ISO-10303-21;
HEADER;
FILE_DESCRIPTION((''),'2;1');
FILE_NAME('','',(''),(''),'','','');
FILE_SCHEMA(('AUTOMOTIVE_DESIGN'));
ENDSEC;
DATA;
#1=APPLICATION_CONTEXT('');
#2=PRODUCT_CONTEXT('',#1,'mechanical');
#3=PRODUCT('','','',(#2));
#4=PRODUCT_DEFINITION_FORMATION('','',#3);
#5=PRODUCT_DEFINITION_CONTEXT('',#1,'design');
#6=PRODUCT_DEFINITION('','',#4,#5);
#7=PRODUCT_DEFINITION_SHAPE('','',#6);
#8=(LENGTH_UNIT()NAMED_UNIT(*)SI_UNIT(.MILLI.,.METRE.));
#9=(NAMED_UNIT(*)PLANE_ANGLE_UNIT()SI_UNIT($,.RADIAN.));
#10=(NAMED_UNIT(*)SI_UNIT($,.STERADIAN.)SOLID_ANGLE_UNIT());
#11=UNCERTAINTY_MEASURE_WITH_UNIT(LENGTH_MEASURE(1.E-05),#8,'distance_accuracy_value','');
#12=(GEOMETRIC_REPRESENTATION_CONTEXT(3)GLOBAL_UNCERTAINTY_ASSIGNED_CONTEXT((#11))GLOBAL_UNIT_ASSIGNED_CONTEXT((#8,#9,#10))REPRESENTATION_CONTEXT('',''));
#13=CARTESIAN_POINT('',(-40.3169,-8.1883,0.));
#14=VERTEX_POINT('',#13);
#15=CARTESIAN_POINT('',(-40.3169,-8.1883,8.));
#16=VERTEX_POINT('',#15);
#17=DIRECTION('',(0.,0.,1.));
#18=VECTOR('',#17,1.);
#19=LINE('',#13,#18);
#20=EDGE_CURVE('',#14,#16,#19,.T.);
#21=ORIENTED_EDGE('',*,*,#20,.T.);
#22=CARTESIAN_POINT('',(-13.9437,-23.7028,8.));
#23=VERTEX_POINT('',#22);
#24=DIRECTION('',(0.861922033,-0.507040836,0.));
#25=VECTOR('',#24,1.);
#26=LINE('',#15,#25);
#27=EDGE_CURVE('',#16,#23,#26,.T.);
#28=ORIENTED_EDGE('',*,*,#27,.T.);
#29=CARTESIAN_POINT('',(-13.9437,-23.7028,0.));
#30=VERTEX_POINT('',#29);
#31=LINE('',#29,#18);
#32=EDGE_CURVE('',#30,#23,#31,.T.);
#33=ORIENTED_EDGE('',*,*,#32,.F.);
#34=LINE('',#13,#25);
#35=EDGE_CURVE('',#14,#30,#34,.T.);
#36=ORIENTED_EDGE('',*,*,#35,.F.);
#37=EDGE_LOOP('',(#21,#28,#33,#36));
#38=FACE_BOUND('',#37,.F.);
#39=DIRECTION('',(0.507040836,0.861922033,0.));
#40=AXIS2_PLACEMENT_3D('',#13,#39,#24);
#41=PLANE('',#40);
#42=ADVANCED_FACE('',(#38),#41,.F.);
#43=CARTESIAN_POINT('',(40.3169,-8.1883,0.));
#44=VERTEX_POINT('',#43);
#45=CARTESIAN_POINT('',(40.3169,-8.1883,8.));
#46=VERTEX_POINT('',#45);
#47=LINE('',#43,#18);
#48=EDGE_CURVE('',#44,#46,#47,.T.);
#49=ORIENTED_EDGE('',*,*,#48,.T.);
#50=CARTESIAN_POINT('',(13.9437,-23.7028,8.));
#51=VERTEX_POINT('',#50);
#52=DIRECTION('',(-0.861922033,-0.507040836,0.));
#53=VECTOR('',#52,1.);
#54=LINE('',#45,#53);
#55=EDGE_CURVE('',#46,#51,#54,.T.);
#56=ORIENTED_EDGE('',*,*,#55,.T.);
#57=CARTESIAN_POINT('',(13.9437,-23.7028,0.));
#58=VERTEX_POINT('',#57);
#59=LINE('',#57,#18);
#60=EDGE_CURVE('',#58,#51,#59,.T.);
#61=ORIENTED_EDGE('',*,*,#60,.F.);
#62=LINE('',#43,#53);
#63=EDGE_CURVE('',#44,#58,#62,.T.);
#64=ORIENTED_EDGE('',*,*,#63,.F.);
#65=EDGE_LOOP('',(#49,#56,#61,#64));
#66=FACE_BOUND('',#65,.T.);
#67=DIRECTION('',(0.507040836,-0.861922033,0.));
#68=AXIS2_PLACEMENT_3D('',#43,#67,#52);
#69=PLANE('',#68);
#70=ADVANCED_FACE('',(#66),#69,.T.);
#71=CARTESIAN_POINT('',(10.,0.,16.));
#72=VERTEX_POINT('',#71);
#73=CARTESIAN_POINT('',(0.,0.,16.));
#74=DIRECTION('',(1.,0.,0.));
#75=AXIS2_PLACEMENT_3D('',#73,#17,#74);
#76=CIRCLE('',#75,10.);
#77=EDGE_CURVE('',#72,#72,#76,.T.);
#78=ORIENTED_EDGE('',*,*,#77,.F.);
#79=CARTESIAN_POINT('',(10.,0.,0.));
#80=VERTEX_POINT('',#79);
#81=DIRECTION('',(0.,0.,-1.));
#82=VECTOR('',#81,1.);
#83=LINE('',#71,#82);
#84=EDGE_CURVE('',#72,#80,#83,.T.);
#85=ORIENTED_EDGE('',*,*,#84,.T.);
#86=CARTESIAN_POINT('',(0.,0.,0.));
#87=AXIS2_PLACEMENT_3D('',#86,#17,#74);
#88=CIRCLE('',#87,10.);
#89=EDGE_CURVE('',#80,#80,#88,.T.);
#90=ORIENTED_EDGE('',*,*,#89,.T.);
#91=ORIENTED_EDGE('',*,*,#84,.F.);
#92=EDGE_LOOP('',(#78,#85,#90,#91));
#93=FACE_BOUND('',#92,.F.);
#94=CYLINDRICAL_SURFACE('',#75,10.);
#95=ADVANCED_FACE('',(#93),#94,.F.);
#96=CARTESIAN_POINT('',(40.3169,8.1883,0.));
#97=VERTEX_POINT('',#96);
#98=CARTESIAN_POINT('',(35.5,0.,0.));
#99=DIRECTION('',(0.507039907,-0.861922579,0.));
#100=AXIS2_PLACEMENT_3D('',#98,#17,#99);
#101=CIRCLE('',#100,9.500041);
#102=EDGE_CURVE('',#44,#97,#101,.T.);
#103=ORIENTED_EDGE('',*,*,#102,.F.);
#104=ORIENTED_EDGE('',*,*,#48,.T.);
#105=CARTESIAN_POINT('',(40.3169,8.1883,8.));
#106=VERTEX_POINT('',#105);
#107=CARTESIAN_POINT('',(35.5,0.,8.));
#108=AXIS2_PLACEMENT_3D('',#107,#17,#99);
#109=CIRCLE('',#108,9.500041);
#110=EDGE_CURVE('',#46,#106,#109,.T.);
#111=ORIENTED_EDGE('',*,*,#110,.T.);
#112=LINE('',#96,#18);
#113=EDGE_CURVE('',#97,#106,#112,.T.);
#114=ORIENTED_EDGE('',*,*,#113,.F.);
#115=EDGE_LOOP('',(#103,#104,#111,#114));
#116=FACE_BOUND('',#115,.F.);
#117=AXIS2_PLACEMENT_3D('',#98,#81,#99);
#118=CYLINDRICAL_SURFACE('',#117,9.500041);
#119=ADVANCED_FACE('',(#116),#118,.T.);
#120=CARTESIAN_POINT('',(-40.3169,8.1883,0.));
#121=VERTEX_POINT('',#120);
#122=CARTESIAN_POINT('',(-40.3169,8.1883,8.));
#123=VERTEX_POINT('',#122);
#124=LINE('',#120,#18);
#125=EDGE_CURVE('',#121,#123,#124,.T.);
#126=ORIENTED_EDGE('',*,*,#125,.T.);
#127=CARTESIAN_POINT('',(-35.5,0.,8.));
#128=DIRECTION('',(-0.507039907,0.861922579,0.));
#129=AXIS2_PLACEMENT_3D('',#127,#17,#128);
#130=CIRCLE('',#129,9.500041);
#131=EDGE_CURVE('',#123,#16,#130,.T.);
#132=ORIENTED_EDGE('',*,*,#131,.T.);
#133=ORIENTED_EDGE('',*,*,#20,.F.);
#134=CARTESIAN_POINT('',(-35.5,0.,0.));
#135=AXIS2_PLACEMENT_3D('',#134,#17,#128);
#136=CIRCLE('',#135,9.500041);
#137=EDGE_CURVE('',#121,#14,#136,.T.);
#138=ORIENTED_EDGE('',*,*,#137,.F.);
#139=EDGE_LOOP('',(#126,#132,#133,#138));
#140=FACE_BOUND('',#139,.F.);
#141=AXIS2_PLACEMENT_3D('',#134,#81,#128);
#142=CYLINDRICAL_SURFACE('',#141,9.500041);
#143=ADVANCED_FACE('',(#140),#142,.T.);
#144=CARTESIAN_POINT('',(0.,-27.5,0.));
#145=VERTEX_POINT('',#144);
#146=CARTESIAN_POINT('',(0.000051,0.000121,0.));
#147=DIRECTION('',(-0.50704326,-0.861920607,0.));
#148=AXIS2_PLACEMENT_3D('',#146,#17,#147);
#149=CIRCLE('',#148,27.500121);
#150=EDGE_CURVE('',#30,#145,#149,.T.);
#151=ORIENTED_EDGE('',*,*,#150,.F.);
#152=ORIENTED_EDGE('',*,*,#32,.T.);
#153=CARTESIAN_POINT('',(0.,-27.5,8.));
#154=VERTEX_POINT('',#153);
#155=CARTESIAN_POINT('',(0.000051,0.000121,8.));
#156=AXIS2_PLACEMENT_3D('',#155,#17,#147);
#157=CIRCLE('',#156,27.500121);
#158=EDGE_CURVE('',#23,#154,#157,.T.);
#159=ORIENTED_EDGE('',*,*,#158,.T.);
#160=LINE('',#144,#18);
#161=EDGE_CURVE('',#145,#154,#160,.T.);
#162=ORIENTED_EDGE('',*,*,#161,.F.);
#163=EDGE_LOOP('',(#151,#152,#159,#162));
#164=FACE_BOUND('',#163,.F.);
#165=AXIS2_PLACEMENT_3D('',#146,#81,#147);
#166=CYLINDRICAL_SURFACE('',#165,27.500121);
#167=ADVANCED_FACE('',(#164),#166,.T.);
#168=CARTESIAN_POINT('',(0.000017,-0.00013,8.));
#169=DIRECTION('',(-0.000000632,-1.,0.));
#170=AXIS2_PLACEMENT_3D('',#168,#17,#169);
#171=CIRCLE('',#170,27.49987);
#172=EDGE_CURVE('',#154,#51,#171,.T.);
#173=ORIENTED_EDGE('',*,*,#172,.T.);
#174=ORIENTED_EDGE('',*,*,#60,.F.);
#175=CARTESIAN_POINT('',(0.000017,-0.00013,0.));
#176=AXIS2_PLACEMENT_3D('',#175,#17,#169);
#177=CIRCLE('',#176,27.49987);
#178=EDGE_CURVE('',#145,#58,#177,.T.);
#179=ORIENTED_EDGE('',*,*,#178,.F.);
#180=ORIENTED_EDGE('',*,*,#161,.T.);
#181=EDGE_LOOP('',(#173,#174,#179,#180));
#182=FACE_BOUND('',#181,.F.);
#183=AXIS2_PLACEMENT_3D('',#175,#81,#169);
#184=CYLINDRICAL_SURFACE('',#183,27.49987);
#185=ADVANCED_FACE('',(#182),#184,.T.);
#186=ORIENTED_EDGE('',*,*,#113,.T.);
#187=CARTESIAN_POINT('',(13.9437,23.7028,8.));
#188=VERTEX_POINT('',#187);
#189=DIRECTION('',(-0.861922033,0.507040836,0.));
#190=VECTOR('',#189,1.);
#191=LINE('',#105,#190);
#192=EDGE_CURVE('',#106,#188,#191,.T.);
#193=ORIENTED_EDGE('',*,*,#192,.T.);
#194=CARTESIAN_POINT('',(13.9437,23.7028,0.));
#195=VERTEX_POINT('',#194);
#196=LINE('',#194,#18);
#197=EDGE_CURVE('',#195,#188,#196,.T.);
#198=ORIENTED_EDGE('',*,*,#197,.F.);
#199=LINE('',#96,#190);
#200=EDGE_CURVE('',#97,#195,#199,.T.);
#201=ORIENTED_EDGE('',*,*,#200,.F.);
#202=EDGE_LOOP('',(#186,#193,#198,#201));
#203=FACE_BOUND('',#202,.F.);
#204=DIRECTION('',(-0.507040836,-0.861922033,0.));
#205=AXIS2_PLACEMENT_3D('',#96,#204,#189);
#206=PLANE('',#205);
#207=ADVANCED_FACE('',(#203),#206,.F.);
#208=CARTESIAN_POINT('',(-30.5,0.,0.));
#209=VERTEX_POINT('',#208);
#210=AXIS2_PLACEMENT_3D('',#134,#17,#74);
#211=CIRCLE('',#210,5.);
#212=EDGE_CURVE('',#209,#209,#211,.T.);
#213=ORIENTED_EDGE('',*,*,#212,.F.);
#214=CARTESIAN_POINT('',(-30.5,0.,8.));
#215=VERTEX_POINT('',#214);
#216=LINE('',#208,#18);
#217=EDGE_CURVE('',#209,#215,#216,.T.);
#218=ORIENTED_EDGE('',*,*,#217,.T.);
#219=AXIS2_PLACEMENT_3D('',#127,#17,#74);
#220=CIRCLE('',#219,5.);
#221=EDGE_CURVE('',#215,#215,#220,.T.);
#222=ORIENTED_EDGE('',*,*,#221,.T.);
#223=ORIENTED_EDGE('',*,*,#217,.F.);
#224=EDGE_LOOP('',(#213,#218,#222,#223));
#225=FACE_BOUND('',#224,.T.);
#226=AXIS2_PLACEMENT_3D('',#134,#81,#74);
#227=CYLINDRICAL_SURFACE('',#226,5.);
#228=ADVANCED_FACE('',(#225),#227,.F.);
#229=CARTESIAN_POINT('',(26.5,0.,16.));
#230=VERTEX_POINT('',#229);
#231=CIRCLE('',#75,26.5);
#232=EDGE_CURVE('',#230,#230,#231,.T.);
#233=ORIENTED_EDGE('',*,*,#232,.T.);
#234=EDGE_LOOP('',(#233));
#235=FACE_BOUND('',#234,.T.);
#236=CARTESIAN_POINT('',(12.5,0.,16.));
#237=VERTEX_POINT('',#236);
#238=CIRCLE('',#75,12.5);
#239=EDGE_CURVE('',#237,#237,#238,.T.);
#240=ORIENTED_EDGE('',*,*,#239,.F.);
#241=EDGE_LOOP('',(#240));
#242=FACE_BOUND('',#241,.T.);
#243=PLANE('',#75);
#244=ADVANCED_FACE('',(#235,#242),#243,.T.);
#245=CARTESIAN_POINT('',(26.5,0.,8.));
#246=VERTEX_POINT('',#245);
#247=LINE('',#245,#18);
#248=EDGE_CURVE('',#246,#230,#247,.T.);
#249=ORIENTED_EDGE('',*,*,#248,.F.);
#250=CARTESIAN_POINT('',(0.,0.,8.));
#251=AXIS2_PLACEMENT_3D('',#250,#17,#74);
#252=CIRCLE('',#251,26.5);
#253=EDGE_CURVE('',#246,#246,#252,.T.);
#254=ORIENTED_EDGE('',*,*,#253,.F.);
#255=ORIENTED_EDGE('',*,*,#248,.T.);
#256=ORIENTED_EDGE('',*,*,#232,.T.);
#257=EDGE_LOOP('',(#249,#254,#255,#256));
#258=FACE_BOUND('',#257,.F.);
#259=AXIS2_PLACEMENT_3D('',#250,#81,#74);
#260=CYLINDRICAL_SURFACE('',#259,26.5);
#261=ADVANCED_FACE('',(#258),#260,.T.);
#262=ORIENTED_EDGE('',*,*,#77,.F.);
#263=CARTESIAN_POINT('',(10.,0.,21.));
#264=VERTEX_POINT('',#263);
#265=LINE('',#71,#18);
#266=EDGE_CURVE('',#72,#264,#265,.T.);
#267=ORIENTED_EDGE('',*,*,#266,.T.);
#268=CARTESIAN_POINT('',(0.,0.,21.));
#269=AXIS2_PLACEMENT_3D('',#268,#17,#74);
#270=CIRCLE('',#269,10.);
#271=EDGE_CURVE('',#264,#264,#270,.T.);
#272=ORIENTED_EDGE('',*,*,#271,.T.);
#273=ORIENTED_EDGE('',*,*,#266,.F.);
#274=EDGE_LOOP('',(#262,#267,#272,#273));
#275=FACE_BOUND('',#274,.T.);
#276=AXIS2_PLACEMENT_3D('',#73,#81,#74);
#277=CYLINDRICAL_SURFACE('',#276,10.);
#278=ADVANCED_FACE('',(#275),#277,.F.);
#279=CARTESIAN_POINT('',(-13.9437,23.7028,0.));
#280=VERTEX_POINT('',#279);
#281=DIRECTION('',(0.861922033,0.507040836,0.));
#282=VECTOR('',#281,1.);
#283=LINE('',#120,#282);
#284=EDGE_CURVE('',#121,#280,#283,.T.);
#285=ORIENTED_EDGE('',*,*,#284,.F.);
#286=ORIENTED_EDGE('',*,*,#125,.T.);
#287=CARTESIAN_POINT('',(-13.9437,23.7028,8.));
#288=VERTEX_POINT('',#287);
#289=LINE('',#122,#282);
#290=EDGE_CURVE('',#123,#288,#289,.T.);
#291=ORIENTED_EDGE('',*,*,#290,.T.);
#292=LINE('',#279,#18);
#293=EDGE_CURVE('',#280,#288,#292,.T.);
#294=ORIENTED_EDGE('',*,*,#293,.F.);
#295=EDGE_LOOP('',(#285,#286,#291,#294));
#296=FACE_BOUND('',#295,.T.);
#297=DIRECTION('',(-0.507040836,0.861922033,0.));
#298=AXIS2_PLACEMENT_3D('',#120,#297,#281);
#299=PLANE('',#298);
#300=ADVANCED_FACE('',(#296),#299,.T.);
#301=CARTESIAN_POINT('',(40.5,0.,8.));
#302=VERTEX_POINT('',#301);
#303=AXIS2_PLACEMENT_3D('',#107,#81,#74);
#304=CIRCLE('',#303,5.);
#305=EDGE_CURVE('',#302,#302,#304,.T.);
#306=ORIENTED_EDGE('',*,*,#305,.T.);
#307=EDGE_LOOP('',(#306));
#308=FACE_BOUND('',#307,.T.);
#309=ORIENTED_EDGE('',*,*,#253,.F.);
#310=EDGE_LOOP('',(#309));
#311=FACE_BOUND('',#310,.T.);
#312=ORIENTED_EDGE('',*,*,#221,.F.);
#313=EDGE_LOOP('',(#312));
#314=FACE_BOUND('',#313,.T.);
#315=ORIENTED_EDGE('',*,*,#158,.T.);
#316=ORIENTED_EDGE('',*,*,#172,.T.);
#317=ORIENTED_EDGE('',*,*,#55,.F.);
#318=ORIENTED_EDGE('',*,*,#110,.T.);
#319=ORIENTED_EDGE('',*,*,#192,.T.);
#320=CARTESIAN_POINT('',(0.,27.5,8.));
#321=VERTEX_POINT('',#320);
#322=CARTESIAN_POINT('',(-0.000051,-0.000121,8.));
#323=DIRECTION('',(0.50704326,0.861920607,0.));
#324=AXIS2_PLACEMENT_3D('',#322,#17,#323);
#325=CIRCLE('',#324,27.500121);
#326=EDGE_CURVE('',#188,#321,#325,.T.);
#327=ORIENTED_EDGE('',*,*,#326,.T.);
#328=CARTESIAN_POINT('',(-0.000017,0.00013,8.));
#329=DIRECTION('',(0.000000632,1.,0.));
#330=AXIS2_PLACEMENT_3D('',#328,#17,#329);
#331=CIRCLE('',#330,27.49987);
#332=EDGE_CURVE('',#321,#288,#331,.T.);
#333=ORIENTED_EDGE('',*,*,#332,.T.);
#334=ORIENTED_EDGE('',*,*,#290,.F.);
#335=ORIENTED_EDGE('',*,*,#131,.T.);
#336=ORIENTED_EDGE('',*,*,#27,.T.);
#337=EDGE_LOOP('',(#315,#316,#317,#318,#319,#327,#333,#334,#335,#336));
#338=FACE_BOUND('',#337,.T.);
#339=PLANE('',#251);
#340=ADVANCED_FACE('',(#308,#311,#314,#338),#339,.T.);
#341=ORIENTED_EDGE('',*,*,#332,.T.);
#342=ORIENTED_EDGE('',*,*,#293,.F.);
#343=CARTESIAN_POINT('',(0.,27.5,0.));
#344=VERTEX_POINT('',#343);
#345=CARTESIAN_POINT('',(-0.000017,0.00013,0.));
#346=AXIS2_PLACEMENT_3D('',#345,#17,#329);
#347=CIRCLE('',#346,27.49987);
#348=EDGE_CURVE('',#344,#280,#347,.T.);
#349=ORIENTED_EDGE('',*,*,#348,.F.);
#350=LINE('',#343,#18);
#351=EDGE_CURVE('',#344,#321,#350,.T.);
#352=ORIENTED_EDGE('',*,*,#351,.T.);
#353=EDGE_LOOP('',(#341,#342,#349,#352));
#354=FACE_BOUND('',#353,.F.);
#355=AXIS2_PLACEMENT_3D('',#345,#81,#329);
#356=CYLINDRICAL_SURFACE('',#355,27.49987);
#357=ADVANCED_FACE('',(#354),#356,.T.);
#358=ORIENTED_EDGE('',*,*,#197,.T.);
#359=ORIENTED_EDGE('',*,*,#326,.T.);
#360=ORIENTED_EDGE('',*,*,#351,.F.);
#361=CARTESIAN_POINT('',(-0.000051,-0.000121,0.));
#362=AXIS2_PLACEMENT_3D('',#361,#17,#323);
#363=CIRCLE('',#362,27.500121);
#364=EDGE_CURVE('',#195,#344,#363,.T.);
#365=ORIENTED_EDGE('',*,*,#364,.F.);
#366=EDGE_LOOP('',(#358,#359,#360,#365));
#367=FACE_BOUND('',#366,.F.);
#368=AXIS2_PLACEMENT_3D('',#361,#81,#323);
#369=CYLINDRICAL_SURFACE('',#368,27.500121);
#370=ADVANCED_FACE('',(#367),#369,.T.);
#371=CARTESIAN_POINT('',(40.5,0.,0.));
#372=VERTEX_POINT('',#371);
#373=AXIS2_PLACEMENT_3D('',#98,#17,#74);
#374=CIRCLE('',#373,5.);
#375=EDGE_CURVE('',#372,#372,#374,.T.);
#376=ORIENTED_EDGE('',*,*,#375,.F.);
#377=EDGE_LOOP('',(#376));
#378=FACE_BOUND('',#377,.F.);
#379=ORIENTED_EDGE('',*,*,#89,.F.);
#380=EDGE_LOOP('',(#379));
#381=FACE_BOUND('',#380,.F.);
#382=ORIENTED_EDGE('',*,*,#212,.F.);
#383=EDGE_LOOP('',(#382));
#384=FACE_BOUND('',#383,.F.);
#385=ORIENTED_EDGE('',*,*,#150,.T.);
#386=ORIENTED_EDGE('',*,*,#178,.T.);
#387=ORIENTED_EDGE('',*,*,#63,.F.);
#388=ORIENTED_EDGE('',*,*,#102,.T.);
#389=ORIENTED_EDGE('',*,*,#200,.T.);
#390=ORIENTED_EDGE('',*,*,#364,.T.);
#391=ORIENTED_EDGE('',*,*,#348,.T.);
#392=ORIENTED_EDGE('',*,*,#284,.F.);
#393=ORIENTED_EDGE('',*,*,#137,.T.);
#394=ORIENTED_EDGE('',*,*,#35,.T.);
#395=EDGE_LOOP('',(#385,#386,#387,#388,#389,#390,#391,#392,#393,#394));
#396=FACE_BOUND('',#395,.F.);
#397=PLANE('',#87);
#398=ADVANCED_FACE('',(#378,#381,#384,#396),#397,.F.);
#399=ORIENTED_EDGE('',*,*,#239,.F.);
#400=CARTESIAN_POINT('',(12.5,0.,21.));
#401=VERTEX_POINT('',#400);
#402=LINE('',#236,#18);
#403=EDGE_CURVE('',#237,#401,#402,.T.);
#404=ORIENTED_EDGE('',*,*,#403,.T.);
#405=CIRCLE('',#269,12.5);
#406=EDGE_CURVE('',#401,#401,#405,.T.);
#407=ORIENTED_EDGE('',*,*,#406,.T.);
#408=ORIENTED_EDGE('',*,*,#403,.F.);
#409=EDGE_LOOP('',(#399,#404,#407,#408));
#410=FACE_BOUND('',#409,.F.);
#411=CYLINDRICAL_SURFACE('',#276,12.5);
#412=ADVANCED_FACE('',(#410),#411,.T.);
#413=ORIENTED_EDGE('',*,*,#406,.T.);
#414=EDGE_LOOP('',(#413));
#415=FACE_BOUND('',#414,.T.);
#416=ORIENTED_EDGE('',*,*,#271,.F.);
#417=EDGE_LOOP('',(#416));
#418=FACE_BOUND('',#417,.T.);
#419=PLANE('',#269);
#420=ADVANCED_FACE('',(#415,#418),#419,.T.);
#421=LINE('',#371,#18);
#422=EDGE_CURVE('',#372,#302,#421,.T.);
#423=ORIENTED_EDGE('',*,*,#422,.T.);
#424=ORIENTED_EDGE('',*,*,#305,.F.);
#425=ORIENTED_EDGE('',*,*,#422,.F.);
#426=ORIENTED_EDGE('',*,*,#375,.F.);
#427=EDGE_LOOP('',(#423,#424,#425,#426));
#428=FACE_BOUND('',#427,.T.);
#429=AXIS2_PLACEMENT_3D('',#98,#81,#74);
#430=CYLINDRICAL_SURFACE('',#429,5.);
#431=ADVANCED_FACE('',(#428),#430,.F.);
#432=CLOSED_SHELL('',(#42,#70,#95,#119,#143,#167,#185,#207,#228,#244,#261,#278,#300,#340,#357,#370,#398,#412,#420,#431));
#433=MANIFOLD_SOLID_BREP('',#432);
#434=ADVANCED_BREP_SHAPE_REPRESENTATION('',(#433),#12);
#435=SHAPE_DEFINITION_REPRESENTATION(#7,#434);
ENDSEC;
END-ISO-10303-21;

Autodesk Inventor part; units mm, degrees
ref_plane "YZ Plane" through (0, 0, 0) normal (1, 0, 0) x (0, 1, 0)
ref_plane "XZ Plane" through (0, 0, 0) normal (0, 1, 0) x (-1, 0, 0)
ref_plane "XY Plane" through (0, 0, 0) normal (0, 0, 1) x (1, 0, 0)
sketch "Sketch1" plane through (0, 0, 0) normal (0, 0, 1) x (1, 0, 0)
  line L0 (-26, 0) -> (-35.5, 0)
  circle A0 centre (-35.5, 0) radius 5
  line L1 (0, 0) -> (0, 5.7402)
  arc A1 (-40.3169, 8.1883) -> (-40.3169, -8.1883) centre (-35.5, 0) ccw
  line L2 (-40.3169, 8.1883) -> (-13.9437, 23.7028)
  line L3 (-40.3169, -8.1883) -> (-13.9437, -23.7028)
  arc A2 (-13.9437, -23.7028) -> (0, -27.5) centre (0, 0) ccw
  arc A3 (0, 27.5) -> (-13.9437, 23.7028) centre (0, 0) ccw
  line L4 (26, 0) -> (35.5, 0)
  circle A4 centre (35.5, 0) radius 5
  arc A5 (40.3169, -8.1883) -> (40.3169, 8.1883) centre (35.5, 0) ccw
  line L5 (40.3169, 8.1883) -> (13.9437, 23.7028)
  line L6 (40.3169, -8.1883) -> (13.9437, -23.7028)
  arc A6 (0, -27.5) -> (13.9437, -23.7028) centre (0, 0) ccw
  arc A7 (13.9437, 23.7028) -> (0, 27.5) centre (0, 0) ccw
  dimension "d1" = 35.5
  dimension "d2" = 10
  dimension "d15" = 19
extrude "Extrusion1" add sketch "Sketch1" along normal blind 8
sketch "Sketch2" plane through (0, 0, 8) normal (0, 0, 1) x (1, 0, 0)
  circle A0 centre (0, 0) radius 26.5
  dimension "d6" = 53
extrude "Extrusion2" add sketch "Sketch2" along normal blind 8
sketch "Sketch3" plane through (0, 0, 16) normal (0, 0, 1) x (1, 0, 0)
  circle A0 centre (0, 0) radius 10
  circle A1 centre (0, 0) radius 12.5
  dimension "d9" = 20
  dimension "d10" = 25
extrude "Extrusion3" add sketch "Sketch3" along normal blind 5
sketch "Sketch4" plane through (0, 0, 16) normal (0, 0, 1) x (1, 0, 0)
  circle A0 centre (0, 0) radius 10 projected
extrude "Extrusion4" cut sketch "Sketch4" against normal blind 30
properties part number "RODAMIENTO DE PARED"
